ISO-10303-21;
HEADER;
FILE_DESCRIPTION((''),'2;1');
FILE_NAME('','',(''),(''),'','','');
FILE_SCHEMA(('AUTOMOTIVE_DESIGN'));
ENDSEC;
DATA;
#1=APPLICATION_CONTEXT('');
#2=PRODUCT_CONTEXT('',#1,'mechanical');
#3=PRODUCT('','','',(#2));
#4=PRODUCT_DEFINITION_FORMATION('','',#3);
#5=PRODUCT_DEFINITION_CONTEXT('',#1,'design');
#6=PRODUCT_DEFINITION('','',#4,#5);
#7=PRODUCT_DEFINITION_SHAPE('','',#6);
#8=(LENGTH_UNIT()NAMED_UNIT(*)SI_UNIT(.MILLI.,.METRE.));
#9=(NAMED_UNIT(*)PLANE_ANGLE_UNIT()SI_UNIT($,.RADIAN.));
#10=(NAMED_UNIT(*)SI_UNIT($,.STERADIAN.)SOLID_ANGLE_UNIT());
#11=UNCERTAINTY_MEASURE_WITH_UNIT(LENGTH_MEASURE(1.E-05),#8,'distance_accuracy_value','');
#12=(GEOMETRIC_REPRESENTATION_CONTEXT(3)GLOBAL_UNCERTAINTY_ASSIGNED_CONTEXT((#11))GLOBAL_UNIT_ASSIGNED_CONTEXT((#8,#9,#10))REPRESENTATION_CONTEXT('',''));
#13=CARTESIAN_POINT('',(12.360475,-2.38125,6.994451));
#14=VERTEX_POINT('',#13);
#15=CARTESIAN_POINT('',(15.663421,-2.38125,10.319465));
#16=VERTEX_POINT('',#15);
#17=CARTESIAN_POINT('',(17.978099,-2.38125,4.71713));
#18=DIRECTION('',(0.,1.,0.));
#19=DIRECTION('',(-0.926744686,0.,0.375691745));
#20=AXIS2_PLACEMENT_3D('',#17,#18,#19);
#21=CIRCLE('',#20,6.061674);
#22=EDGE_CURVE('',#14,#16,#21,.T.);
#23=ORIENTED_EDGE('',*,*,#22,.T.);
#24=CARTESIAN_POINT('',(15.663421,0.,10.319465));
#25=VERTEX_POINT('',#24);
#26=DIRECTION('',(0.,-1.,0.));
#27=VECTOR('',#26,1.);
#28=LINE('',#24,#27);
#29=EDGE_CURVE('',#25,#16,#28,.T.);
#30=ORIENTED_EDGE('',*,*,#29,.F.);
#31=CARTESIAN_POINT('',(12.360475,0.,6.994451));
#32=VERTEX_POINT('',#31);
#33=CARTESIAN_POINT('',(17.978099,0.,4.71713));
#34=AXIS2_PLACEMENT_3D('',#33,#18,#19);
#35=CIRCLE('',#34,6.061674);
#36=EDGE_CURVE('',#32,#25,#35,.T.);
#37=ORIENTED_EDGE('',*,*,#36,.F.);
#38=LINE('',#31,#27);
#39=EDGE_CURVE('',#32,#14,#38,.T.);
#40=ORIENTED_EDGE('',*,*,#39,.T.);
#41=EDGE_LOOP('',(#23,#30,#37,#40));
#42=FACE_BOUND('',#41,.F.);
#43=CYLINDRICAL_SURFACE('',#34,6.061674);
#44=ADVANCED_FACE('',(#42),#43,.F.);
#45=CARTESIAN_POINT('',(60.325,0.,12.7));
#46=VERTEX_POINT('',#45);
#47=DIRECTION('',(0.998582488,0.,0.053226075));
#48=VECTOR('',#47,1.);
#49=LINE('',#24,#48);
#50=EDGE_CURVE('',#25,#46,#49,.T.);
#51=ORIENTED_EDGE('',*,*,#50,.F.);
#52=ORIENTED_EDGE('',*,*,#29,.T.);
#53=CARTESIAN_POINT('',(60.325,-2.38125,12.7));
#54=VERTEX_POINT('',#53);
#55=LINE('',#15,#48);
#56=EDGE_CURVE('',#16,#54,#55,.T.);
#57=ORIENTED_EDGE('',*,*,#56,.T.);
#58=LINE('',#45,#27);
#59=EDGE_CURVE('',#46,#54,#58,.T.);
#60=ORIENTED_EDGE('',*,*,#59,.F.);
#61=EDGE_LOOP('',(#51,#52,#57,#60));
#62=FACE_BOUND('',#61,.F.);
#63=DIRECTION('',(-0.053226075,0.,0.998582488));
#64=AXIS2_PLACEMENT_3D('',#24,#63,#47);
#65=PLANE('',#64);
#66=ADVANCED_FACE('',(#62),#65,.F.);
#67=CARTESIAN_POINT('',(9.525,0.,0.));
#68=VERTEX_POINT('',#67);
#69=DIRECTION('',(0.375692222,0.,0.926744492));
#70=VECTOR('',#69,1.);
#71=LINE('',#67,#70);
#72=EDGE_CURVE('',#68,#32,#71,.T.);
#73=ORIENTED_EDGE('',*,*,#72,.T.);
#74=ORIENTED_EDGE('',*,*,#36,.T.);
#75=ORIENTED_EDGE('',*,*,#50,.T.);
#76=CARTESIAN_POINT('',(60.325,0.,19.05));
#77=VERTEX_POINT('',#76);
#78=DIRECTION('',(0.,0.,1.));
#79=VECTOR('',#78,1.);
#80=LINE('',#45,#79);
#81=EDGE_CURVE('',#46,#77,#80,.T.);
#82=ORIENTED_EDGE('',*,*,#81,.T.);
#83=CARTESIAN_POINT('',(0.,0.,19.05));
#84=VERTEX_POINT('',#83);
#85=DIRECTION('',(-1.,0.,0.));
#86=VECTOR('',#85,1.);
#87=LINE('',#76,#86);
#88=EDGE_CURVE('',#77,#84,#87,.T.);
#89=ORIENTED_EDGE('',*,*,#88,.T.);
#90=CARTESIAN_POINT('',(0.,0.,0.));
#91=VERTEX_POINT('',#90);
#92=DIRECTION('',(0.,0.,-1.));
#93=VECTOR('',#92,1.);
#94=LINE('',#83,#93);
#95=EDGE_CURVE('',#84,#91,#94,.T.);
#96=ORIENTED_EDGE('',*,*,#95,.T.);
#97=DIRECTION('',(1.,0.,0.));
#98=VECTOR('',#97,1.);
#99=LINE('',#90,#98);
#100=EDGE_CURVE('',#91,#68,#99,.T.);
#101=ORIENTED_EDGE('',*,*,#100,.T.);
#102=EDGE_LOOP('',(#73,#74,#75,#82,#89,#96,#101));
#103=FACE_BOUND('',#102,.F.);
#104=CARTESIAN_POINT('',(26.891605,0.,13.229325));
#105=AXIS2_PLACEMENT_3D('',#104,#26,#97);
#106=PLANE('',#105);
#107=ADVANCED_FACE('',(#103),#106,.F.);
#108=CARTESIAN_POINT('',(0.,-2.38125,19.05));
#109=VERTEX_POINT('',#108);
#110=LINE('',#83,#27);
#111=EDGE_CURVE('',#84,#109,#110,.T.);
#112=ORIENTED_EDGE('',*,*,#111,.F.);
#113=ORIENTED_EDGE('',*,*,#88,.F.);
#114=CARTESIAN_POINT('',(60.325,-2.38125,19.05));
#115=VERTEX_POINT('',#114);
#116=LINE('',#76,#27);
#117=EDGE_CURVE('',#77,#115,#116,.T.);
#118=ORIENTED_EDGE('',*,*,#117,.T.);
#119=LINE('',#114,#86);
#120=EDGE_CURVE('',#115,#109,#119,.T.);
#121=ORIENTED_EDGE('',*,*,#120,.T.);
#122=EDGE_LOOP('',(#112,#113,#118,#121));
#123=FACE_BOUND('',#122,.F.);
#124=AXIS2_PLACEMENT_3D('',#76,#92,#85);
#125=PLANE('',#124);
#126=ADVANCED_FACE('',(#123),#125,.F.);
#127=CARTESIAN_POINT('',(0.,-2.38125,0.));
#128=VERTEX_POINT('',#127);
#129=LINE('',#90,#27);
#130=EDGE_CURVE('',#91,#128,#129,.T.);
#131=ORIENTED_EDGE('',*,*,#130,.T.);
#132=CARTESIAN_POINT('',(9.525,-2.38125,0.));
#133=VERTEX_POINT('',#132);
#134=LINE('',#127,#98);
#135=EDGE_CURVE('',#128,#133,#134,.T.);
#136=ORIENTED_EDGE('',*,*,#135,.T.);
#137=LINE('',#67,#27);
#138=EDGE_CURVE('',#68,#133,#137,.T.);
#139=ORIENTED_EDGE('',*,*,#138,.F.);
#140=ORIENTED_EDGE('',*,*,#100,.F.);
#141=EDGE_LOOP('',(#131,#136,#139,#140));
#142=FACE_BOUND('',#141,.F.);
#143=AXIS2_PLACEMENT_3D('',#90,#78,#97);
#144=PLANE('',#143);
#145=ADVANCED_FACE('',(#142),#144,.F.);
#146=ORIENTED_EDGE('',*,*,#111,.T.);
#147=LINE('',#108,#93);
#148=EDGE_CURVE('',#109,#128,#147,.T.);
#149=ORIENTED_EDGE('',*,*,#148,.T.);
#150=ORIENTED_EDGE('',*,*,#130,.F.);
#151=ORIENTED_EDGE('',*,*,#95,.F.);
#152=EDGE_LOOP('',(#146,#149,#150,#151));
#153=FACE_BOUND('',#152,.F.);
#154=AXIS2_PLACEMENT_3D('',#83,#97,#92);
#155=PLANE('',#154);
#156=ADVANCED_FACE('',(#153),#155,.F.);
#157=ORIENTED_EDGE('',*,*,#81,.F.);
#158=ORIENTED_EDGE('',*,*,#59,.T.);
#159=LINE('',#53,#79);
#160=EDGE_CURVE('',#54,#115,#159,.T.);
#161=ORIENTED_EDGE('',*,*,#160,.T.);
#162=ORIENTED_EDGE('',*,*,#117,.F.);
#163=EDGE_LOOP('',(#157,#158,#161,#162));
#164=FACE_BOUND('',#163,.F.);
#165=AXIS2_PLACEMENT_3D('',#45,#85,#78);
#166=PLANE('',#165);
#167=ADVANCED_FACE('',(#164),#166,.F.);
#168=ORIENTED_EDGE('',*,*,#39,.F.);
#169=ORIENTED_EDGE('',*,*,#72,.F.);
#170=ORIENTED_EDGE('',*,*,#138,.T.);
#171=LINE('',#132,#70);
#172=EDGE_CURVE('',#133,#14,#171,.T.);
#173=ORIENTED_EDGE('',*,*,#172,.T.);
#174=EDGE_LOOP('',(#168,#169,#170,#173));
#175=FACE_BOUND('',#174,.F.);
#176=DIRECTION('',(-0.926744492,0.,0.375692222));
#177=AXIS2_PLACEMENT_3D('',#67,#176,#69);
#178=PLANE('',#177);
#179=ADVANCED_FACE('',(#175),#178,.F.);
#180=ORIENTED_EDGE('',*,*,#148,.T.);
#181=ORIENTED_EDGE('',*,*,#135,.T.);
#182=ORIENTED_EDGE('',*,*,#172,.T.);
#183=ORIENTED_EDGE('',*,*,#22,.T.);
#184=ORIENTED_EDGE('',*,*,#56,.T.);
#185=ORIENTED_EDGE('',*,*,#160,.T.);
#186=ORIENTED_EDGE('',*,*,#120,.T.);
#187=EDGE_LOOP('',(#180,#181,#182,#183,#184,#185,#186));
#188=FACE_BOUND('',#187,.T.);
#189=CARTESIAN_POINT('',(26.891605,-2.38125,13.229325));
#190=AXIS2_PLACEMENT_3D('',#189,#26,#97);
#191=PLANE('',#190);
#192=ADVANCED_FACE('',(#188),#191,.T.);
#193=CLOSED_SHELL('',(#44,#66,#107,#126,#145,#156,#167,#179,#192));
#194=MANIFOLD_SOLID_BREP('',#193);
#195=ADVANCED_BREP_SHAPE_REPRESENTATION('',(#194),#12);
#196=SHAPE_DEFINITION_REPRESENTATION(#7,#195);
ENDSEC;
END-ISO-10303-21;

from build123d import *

# Parameters (mm, degrees)
F1_DEPTH = 2.38125


with BuildPart() as f1:
    # F0 (on Front) → F1 (new body)
    with BuildSketch(Plane.XZ):
        with BuildLine():
            Line((60.325, 19.05), (0, 19.05))
            Line((0, 19.05), (0, 0))
            Line((0, 0), (9.525, 0))
            Line((9.525, 0), (12.360475, 6.994451))
            ThreePointArc((12.360475, 6.994451), (13.677601, 8.989086), (15.663421, 10.319465))
            Line((15.663421, 10.319465), (60.325, 12.7))
            Line((60.325, 12.7), (60.325, 19.05))
        make_face()
    extrude(amount=F1_DEPTH)


solid = f1.part
